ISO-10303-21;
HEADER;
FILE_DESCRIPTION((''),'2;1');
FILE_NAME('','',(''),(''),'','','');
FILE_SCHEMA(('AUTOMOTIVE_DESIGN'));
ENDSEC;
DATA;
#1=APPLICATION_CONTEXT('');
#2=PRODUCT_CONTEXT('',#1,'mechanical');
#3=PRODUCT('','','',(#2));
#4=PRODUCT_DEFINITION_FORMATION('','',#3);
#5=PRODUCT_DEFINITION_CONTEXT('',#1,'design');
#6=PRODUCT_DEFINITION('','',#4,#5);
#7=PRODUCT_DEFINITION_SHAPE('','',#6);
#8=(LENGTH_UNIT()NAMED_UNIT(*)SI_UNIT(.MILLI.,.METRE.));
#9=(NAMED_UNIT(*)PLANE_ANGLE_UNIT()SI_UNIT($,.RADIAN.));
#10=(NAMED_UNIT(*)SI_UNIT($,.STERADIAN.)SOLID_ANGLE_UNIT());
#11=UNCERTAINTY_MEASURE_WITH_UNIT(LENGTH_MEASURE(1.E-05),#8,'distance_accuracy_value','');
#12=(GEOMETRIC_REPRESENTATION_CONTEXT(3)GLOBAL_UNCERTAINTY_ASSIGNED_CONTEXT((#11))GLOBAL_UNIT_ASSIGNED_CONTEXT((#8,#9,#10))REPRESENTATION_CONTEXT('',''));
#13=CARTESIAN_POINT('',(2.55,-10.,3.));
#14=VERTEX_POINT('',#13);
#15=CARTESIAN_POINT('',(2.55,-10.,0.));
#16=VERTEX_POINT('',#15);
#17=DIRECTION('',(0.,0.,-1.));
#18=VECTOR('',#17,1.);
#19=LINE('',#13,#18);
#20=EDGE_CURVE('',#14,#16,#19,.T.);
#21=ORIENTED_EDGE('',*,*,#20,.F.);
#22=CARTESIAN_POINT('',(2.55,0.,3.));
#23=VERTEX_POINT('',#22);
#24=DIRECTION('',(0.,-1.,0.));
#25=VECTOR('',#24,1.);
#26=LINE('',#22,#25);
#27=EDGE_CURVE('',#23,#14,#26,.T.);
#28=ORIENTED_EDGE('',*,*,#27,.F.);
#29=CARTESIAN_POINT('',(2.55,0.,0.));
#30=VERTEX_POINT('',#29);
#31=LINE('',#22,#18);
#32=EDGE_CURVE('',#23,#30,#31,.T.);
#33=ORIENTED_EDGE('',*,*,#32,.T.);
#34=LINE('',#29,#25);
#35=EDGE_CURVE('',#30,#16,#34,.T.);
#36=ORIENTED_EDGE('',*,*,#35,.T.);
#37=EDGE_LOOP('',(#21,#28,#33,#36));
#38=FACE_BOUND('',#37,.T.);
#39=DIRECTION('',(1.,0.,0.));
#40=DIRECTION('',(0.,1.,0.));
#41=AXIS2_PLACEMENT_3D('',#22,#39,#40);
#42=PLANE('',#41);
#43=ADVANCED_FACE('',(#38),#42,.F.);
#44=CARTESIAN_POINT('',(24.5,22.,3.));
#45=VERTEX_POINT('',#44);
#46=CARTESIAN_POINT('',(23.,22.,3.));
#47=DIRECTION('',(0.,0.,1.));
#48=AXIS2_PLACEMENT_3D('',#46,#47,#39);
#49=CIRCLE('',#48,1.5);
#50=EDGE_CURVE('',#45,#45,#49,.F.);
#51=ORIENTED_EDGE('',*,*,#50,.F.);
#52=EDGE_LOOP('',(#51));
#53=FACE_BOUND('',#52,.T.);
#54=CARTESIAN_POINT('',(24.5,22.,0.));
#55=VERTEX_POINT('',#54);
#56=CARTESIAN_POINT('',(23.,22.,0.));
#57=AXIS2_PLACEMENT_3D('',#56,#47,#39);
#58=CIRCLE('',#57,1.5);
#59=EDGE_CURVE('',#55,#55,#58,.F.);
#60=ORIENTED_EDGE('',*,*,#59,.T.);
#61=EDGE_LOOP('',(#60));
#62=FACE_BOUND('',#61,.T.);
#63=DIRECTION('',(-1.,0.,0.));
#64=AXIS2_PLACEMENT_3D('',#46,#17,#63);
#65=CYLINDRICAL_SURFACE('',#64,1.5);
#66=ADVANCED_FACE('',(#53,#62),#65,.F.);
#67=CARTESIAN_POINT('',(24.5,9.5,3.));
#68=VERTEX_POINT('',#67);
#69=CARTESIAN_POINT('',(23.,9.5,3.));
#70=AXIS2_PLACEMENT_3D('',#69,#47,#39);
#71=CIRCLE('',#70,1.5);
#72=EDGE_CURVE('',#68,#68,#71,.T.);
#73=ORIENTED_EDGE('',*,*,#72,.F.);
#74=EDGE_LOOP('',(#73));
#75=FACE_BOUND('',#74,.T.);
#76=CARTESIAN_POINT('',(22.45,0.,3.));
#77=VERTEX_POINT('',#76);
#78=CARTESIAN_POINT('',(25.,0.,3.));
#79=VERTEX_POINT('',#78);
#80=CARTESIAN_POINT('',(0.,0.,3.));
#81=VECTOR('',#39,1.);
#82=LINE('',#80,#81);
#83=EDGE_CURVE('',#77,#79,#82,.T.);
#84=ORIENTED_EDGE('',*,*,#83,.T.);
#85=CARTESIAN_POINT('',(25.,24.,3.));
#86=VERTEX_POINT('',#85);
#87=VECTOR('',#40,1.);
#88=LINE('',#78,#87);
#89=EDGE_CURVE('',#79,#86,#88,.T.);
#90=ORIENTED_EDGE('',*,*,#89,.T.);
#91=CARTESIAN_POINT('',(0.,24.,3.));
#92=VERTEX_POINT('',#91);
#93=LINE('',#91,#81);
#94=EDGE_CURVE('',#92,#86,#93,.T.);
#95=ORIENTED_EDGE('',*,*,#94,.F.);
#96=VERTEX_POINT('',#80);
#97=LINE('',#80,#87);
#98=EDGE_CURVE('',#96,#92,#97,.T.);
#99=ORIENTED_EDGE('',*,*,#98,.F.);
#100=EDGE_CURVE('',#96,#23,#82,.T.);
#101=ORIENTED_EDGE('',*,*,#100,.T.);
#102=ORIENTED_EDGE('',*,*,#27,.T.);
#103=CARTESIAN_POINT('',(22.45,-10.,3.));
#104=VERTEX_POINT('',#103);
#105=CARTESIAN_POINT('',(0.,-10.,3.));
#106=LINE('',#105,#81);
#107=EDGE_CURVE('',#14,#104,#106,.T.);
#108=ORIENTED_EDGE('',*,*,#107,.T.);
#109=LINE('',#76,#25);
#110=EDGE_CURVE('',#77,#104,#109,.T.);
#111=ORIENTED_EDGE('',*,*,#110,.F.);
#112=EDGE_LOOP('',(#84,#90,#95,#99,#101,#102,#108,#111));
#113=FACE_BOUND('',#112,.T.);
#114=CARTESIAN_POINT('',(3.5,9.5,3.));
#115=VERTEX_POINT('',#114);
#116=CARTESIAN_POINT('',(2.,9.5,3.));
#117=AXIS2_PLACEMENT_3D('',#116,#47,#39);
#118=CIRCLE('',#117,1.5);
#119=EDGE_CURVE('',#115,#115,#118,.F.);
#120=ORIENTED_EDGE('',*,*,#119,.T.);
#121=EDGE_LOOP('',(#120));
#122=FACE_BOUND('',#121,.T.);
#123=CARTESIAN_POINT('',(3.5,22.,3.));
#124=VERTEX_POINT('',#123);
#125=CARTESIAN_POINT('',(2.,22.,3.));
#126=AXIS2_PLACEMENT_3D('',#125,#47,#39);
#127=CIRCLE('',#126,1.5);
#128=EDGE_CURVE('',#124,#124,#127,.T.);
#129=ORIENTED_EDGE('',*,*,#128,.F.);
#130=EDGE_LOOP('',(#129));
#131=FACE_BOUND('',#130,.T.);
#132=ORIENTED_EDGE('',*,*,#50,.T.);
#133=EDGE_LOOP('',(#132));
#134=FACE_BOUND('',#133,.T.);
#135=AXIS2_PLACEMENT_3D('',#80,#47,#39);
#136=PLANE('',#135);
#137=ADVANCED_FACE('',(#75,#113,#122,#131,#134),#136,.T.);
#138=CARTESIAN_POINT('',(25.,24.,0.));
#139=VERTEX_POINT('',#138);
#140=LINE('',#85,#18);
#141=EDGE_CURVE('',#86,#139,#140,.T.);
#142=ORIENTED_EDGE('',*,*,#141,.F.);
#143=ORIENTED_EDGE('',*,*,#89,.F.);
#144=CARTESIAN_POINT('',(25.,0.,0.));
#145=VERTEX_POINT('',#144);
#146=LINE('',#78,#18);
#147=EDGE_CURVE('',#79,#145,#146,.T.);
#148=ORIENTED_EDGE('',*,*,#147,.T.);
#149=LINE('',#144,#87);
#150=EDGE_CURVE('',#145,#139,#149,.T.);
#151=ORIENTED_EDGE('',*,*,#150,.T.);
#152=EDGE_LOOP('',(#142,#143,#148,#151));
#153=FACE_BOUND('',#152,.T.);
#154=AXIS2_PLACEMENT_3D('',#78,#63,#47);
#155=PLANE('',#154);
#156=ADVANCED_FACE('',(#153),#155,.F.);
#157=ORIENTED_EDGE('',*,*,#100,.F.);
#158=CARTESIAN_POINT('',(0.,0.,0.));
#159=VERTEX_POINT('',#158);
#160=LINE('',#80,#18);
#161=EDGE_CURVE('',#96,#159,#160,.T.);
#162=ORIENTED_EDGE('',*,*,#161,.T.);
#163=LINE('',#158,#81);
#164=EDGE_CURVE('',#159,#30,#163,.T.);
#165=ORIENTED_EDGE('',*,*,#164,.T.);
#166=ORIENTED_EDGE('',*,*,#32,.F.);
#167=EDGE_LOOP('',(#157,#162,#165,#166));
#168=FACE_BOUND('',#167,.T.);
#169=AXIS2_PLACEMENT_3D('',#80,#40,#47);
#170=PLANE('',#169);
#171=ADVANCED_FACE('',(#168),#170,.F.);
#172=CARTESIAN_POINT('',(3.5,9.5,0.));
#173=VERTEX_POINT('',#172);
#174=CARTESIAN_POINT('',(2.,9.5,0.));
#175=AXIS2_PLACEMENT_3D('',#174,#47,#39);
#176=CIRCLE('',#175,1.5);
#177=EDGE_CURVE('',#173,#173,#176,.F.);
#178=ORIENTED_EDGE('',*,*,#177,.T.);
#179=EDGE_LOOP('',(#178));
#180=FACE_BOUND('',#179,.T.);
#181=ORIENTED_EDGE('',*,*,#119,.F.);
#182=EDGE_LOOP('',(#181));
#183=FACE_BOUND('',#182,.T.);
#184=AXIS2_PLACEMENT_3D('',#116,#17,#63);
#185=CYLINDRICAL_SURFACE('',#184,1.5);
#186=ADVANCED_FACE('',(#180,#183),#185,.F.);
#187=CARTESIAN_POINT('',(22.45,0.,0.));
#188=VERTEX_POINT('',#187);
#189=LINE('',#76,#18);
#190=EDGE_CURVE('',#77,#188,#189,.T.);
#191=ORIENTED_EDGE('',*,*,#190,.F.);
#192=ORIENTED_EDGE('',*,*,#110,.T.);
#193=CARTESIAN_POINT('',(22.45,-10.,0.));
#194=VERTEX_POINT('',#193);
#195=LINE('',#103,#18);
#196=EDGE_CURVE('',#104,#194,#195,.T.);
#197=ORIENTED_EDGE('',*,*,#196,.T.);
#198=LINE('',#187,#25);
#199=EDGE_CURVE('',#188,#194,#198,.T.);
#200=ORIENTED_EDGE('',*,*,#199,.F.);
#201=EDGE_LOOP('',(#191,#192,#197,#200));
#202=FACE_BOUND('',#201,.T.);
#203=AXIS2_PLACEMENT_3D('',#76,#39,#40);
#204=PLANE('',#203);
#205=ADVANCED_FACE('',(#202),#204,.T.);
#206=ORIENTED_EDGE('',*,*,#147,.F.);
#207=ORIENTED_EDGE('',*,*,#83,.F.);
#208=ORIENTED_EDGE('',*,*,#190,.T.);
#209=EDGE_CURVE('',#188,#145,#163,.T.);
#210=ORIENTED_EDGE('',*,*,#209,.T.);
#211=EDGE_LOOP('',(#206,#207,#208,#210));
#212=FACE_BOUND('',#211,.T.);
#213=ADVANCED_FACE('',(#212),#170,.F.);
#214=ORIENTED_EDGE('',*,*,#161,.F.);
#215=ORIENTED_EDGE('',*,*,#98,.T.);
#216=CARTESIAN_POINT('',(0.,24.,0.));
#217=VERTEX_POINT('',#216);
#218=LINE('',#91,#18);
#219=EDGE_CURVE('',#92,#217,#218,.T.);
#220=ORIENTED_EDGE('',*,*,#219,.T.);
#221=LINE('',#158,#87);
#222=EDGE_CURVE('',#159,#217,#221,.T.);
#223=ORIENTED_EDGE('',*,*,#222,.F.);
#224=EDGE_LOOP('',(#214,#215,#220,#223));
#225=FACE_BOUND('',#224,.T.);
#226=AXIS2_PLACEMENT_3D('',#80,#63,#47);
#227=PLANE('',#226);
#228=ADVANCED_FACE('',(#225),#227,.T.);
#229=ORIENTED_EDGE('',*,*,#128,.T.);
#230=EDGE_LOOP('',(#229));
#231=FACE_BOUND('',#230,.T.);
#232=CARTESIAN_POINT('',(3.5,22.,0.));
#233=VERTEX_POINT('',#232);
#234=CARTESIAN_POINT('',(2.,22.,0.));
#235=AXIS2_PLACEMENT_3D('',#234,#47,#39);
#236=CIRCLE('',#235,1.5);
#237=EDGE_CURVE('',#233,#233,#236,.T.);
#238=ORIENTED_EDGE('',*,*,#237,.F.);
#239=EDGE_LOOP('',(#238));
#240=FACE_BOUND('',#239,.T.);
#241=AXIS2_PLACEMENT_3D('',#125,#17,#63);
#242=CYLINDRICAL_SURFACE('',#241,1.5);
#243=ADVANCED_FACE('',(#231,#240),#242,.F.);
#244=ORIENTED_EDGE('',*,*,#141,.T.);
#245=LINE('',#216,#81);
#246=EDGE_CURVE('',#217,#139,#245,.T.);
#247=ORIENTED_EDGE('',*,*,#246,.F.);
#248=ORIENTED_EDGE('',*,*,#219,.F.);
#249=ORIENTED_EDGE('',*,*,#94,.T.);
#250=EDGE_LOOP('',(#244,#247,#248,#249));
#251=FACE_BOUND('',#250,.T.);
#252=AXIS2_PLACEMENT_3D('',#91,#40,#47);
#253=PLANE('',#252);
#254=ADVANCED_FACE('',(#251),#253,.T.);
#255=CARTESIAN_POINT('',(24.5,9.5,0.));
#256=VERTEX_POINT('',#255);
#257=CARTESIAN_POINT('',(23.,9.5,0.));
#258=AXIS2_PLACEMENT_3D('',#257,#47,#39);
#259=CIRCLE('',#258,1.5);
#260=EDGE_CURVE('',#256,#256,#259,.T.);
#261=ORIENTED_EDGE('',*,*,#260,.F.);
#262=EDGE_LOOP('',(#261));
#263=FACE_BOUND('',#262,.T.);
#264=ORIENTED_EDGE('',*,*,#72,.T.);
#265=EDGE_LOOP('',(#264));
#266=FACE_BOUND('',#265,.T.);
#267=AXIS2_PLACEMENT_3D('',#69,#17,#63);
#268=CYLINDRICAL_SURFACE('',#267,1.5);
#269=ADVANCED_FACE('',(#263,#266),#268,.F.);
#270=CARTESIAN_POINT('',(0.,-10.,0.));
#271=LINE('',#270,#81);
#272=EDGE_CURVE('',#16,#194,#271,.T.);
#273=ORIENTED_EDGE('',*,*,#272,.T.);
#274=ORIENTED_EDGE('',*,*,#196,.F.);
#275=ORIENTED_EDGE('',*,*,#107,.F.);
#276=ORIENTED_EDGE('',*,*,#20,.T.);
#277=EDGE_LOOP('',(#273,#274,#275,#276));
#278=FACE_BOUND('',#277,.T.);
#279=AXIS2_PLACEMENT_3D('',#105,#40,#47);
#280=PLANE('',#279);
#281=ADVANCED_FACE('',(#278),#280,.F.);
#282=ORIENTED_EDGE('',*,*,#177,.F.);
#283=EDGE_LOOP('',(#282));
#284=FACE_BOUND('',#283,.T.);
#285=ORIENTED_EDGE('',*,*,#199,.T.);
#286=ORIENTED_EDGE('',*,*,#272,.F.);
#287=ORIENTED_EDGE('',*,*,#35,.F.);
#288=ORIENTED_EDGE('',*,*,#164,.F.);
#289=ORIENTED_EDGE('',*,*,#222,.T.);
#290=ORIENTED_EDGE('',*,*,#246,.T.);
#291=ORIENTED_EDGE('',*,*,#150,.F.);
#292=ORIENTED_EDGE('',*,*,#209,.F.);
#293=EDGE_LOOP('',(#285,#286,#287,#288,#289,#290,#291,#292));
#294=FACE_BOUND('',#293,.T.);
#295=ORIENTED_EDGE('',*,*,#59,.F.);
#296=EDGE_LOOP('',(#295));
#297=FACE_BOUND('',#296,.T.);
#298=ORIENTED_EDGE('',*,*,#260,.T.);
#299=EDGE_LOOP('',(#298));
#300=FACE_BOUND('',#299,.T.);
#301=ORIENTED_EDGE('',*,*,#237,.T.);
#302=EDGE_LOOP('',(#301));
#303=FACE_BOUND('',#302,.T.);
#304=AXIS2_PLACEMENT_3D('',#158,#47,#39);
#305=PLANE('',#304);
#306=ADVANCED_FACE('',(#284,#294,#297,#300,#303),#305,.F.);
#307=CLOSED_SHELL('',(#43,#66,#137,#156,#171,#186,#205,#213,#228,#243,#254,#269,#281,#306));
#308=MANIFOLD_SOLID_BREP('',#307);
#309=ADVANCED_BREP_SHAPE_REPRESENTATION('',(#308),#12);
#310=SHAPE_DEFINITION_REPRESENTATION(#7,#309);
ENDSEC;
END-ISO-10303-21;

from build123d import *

# Parameters (mm, degrees)
SKETCH1_W           = 25
SKETCH1_H           = 24
SKETCH1_R           = 1.5
SKETCH1_W_2         = 19.9
SKETCH1_H_2         = 10
BOSS_EXTRUDE1_DEPTH = 3


with BuildPart() as part:
    # Sketch1 → Boss-Extrude1 (new body)
    # profile 1 of 2: a face of its own
    with BuildSketch(Plane.XY):
        with Locations((12.5, 12)):
            Rectangle(SKETCH1_W, SKETCH1_H)
        with Locations((23, 22)):
            Circle(SKETCH1_R, mode=Mode.SUBTRACT)
        with Locations((2, 22)):
            Circle(SKETCH1_R, mode=Mode.SUBTRACT)
        with Locations((23, 9.5)):
            Circle(SKETCH1_R, mode=Mode.SUBTRACT)
        with Locations((2, 9.5)):
            Circle(SKETCH1_R, mode=Mode.SUBTRACT)
    # profile 2 of 2: a face of its own
    with BuildSketch(Plane.XY):
        with Locations((12.5, -5)):
            Rectangle(SKETCH1_W_2, SKETCH1_H_2)
    extrude(amount=BOSS_EXTRUDE1_DEPTH)


solid = part.part
